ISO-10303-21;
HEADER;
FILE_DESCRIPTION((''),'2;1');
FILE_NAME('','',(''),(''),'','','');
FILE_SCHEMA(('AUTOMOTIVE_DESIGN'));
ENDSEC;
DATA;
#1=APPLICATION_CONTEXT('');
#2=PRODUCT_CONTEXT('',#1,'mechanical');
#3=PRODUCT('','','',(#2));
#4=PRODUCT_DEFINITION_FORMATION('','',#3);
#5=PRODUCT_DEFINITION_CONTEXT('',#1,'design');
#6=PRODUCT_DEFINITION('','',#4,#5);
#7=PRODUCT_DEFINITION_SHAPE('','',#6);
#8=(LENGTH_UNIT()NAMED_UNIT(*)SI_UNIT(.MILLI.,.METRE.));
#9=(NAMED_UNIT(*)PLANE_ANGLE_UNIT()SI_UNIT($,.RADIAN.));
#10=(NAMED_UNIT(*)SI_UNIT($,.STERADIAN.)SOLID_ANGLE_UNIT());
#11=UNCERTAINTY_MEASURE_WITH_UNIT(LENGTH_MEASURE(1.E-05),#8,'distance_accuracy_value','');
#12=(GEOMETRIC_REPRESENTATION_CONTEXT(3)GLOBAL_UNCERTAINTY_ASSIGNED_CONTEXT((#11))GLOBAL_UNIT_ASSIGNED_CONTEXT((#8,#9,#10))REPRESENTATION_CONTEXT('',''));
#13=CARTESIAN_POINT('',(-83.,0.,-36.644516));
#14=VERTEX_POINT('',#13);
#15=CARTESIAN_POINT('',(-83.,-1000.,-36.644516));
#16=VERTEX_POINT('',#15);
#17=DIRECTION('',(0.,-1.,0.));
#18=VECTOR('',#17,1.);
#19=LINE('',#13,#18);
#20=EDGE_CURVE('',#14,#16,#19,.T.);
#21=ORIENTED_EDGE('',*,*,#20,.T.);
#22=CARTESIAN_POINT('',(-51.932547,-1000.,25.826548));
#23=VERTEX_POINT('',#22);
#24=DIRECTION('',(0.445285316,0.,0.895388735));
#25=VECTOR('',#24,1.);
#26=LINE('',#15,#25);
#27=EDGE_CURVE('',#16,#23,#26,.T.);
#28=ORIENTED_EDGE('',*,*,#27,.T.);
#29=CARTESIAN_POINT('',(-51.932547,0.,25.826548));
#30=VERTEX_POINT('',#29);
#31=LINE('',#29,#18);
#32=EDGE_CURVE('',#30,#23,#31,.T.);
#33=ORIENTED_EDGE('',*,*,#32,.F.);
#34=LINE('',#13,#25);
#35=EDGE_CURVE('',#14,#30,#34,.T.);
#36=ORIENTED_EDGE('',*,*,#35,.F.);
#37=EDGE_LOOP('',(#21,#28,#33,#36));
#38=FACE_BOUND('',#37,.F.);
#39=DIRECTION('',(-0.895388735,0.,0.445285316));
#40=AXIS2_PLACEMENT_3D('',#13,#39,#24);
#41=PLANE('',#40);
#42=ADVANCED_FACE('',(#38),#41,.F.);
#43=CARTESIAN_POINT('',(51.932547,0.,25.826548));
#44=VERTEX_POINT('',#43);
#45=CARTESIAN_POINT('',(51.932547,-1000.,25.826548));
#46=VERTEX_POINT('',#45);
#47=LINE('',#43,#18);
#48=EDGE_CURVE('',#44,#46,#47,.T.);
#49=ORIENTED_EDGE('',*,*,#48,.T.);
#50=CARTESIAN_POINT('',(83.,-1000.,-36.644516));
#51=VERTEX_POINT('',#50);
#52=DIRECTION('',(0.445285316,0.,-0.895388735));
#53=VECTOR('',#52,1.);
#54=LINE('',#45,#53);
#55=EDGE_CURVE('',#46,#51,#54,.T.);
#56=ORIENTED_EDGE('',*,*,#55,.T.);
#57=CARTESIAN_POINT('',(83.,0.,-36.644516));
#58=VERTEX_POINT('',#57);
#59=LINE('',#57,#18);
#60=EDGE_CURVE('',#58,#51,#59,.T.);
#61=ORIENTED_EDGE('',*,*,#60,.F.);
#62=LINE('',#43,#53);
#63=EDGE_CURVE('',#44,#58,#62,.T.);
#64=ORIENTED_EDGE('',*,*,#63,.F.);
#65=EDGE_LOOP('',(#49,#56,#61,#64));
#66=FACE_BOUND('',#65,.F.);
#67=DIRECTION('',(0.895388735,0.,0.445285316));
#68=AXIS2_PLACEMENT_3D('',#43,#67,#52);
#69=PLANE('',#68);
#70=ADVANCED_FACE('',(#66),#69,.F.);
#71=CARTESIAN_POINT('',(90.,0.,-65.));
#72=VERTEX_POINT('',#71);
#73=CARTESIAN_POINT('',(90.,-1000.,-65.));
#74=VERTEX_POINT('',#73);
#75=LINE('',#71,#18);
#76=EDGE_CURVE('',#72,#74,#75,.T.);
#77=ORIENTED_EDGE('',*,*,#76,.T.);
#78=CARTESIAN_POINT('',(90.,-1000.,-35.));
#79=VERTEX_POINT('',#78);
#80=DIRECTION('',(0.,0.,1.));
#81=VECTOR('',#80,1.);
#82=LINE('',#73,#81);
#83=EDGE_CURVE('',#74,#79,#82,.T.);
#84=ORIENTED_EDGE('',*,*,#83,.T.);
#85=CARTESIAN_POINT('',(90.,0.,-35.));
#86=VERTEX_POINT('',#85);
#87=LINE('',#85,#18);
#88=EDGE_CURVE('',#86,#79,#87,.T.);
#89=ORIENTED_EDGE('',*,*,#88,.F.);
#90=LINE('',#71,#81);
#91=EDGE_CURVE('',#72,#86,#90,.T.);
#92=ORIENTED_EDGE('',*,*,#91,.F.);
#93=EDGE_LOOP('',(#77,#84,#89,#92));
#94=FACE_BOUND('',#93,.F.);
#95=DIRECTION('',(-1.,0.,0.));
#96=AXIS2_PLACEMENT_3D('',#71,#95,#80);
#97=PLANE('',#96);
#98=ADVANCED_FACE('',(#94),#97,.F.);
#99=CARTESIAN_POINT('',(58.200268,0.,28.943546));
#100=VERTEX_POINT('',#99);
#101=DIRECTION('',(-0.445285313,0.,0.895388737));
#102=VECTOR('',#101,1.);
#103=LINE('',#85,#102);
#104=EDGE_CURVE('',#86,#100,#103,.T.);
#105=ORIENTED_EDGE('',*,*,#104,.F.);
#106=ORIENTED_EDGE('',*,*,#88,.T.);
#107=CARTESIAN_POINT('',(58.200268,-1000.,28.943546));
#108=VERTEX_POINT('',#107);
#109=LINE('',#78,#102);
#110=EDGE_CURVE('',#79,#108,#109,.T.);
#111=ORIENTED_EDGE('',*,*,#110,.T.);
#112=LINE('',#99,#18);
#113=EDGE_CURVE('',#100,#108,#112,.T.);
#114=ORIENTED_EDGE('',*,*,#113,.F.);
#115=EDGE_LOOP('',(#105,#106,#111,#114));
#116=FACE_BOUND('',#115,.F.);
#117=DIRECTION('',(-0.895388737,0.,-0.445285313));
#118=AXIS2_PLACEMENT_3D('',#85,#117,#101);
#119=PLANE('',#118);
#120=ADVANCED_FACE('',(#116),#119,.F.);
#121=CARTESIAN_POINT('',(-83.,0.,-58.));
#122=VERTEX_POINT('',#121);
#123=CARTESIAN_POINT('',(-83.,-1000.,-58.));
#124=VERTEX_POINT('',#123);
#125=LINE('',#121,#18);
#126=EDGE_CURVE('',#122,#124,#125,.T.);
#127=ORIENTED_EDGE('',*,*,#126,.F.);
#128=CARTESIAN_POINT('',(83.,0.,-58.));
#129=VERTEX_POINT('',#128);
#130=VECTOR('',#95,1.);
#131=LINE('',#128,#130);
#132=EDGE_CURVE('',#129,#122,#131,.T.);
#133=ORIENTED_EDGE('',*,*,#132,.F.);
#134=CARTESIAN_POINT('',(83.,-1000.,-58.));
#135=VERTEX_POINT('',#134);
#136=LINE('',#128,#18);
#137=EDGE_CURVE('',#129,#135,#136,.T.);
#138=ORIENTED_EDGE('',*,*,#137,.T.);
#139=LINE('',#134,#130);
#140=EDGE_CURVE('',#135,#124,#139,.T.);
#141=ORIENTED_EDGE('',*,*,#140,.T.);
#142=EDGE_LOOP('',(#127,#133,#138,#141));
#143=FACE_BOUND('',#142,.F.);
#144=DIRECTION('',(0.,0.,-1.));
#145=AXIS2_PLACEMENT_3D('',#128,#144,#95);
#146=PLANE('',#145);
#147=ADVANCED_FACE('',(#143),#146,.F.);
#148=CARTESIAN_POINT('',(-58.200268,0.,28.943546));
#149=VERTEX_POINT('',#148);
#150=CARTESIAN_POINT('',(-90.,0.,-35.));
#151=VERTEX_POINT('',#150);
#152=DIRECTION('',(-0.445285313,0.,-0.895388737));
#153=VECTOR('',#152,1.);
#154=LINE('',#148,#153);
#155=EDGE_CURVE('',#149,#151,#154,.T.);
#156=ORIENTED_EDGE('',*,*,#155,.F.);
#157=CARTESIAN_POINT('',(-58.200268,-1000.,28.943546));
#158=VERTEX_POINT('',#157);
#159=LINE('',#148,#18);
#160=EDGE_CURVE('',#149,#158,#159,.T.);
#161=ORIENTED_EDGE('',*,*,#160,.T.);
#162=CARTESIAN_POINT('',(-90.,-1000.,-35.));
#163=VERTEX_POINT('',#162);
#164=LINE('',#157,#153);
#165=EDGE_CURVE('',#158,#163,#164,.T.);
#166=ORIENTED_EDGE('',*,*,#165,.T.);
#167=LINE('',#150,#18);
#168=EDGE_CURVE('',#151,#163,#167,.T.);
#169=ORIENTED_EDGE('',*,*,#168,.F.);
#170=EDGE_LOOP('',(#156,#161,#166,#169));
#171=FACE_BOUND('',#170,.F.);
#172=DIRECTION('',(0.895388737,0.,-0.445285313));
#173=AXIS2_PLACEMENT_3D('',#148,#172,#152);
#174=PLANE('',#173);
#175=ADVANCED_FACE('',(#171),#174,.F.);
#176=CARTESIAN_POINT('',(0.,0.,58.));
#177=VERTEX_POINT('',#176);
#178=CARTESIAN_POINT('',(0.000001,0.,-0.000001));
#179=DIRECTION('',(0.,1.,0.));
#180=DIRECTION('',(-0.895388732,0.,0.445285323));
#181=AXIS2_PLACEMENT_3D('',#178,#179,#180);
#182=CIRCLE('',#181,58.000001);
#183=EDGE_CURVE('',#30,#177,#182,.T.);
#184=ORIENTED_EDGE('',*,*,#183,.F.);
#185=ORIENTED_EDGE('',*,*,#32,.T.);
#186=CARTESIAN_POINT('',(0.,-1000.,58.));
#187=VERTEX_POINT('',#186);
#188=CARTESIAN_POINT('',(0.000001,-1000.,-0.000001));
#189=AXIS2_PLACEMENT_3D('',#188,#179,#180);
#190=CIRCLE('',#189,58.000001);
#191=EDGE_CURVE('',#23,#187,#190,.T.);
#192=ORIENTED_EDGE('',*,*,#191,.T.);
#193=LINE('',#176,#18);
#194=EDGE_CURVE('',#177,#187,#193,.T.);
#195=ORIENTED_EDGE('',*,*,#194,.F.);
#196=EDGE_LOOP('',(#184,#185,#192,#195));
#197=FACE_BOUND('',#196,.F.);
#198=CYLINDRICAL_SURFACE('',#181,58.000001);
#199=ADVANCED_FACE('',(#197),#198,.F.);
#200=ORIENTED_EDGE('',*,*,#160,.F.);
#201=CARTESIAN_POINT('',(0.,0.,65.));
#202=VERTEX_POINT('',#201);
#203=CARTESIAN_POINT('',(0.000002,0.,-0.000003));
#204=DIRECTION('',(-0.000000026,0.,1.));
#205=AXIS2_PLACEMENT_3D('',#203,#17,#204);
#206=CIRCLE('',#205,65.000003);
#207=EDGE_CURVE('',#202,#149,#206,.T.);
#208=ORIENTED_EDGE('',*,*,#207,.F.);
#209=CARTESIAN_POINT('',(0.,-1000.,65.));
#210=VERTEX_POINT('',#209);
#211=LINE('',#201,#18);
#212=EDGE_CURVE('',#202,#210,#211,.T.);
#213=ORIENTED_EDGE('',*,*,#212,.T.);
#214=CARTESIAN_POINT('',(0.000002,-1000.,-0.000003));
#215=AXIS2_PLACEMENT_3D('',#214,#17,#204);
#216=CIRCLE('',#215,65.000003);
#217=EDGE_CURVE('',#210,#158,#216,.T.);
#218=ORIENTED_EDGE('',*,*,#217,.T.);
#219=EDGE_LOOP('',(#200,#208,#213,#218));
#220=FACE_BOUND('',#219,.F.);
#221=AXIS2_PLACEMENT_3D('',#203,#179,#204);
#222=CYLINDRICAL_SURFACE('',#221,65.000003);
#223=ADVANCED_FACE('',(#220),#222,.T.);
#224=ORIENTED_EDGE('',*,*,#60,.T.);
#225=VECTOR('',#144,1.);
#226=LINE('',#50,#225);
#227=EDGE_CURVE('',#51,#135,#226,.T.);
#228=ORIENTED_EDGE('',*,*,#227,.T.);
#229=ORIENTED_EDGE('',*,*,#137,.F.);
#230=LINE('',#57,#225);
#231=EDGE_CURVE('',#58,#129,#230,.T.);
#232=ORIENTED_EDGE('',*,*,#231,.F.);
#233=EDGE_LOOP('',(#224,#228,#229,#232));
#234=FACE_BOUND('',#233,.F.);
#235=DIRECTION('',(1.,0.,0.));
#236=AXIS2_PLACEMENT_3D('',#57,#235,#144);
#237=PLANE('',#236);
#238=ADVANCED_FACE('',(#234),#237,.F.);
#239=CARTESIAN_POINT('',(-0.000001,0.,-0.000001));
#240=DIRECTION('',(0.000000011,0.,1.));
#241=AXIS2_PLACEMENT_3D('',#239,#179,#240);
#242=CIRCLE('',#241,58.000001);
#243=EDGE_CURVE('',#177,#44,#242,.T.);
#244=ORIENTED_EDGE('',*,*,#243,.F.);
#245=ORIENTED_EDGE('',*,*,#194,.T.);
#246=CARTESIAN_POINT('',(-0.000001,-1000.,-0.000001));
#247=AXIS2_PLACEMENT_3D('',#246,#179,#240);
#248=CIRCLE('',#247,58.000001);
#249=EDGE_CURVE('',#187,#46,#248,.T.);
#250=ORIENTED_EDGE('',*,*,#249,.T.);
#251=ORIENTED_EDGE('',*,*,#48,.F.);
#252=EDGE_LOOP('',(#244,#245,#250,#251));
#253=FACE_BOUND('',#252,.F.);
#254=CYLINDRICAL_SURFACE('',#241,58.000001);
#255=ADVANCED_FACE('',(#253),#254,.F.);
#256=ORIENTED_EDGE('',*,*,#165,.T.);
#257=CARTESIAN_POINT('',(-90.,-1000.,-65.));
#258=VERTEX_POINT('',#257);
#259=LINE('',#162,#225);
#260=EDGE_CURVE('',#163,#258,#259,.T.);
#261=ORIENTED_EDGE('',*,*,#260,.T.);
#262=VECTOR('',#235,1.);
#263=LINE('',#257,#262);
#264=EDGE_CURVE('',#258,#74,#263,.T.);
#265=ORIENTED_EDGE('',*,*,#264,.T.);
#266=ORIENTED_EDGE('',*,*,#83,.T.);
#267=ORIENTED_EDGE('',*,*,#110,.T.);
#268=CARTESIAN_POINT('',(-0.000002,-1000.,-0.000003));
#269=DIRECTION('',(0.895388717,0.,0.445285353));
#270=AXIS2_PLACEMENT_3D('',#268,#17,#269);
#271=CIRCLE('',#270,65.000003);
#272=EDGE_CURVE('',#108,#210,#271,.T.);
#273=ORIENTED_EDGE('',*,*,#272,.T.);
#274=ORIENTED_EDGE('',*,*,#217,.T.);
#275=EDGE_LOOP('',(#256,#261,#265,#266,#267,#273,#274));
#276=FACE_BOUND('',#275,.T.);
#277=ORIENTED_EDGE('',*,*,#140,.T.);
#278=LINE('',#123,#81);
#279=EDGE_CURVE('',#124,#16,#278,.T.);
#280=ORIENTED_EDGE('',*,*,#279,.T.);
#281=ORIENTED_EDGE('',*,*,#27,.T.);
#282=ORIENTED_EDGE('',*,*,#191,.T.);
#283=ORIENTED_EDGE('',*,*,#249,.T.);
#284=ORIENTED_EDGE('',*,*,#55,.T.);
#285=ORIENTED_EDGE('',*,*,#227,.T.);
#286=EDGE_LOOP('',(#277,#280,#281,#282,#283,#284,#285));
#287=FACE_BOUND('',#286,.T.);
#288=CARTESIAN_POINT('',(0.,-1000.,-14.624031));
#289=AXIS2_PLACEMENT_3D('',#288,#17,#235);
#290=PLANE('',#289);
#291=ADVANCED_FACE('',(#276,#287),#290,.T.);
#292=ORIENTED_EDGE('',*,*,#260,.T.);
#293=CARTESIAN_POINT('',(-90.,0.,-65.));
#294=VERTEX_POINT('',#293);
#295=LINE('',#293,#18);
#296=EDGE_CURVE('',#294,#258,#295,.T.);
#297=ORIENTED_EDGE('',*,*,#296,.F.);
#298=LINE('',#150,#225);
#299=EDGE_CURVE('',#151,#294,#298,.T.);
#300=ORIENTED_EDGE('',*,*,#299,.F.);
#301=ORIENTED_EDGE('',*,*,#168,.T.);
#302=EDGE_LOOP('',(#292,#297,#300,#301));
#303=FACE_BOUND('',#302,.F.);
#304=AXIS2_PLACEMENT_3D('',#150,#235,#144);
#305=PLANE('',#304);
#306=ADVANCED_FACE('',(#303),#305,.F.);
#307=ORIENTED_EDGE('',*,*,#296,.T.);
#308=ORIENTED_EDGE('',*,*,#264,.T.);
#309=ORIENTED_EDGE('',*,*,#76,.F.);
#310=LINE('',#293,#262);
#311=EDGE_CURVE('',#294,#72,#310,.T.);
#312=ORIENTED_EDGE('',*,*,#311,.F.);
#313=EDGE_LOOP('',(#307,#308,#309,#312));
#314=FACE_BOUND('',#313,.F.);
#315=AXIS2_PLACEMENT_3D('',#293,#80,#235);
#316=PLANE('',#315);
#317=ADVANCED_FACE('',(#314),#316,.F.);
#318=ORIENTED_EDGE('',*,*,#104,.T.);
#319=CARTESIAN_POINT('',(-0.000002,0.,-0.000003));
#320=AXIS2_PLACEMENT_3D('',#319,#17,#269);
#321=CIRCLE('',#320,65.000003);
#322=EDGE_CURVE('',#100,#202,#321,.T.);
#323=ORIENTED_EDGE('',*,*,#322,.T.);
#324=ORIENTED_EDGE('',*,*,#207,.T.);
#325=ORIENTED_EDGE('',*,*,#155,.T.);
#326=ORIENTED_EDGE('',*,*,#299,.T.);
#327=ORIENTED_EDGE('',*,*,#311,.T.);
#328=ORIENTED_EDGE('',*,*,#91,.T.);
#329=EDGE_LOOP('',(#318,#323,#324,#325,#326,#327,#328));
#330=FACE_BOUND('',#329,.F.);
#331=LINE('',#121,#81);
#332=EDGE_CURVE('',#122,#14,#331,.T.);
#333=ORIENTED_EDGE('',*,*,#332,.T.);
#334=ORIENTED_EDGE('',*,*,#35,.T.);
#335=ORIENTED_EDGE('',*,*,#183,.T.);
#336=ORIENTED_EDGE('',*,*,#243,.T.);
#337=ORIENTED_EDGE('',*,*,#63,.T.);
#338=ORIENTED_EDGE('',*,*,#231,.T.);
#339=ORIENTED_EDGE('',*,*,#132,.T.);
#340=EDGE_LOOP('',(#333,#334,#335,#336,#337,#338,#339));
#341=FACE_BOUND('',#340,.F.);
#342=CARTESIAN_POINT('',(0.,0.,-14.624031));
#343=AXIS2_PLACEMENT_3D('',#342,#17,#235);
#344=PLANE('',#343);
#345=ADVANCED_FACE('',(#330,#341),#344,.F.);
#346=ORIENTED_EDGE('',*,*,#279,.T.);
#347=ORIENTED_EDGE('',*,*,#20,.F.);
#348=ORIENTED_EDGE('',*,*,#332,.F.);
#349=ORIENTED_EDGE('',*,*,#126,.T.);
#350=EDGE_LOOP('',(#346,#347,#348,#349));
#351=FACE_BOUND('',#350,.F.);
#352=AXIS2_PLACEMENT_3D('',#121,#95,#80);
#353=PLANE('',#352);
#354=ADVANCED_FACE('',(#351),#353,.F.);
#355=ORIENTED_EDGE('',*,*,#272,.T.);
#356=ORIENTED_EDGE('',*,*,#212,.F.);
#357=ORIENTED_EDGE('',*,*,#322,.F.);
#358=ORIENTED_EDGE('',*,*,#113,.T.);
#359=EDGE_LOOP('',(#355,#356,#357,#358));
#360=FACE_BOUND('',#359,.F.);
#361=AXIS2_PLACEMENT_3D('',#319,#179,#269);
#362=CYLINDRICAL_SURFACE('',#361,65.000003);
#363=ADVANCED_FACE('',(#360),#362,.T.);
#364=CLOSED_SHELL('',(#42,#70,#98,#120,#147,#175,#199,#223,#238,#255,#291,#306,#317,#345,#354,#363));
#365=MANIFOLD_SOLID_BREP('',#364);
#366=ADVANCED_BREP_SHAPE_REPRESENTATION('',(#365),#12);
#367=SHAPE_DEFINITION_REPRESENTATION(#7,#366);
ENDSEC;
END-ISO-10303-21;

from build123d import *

# Parameters (mm, degrees)
F1_DEPTH = 1000


with BuildPart() as f1:
    # F0 (on Front) → F1 (new body)
    with BuildSketch(Plane.XZ):
        with BuildLine():
            Line((-90, -65), (0, -65))
            Line((0, -65), (90, -65))
            Line((90, -65), (90, -35))
            Line((90, -35), (58.200268, 28.943546))
            ThreePointArc((58.200268, 28.943546), (34.232072, 55.255454), (0, 65))
            ThreePointArc((0, 65), (-34.232072, 55.255454), (-58.200268, 28.943546))
            Line((-58.200268, 28.943546), (-90, -35))
            Line((-90, -35), (-90, -65))
        make_face()
        with BuildLine():
            ThreePointArc((0, 58), (30.545541, 49.304867), (51.932547, 25.826548))
            Line((51.932547, 25.826548), (83, -36.644516))
            Line((83, -36.644516), (83, -58))
            Line((83, -58), (0, -58))
            Line((0, -58), (-83, -58))
            Line((-83, -58), (-83, -36.644516))
            Line((-83, -36.644516), (-51.932547, 25.826548))
            ThreePointArc((-51.932547, 25.826548), (-30.545541, 49.304867), (0, 58))
        make_face(mode=Mode.SUBTRACT)
    extrude(amount=F1_DEPTH)


solid = f1.part
